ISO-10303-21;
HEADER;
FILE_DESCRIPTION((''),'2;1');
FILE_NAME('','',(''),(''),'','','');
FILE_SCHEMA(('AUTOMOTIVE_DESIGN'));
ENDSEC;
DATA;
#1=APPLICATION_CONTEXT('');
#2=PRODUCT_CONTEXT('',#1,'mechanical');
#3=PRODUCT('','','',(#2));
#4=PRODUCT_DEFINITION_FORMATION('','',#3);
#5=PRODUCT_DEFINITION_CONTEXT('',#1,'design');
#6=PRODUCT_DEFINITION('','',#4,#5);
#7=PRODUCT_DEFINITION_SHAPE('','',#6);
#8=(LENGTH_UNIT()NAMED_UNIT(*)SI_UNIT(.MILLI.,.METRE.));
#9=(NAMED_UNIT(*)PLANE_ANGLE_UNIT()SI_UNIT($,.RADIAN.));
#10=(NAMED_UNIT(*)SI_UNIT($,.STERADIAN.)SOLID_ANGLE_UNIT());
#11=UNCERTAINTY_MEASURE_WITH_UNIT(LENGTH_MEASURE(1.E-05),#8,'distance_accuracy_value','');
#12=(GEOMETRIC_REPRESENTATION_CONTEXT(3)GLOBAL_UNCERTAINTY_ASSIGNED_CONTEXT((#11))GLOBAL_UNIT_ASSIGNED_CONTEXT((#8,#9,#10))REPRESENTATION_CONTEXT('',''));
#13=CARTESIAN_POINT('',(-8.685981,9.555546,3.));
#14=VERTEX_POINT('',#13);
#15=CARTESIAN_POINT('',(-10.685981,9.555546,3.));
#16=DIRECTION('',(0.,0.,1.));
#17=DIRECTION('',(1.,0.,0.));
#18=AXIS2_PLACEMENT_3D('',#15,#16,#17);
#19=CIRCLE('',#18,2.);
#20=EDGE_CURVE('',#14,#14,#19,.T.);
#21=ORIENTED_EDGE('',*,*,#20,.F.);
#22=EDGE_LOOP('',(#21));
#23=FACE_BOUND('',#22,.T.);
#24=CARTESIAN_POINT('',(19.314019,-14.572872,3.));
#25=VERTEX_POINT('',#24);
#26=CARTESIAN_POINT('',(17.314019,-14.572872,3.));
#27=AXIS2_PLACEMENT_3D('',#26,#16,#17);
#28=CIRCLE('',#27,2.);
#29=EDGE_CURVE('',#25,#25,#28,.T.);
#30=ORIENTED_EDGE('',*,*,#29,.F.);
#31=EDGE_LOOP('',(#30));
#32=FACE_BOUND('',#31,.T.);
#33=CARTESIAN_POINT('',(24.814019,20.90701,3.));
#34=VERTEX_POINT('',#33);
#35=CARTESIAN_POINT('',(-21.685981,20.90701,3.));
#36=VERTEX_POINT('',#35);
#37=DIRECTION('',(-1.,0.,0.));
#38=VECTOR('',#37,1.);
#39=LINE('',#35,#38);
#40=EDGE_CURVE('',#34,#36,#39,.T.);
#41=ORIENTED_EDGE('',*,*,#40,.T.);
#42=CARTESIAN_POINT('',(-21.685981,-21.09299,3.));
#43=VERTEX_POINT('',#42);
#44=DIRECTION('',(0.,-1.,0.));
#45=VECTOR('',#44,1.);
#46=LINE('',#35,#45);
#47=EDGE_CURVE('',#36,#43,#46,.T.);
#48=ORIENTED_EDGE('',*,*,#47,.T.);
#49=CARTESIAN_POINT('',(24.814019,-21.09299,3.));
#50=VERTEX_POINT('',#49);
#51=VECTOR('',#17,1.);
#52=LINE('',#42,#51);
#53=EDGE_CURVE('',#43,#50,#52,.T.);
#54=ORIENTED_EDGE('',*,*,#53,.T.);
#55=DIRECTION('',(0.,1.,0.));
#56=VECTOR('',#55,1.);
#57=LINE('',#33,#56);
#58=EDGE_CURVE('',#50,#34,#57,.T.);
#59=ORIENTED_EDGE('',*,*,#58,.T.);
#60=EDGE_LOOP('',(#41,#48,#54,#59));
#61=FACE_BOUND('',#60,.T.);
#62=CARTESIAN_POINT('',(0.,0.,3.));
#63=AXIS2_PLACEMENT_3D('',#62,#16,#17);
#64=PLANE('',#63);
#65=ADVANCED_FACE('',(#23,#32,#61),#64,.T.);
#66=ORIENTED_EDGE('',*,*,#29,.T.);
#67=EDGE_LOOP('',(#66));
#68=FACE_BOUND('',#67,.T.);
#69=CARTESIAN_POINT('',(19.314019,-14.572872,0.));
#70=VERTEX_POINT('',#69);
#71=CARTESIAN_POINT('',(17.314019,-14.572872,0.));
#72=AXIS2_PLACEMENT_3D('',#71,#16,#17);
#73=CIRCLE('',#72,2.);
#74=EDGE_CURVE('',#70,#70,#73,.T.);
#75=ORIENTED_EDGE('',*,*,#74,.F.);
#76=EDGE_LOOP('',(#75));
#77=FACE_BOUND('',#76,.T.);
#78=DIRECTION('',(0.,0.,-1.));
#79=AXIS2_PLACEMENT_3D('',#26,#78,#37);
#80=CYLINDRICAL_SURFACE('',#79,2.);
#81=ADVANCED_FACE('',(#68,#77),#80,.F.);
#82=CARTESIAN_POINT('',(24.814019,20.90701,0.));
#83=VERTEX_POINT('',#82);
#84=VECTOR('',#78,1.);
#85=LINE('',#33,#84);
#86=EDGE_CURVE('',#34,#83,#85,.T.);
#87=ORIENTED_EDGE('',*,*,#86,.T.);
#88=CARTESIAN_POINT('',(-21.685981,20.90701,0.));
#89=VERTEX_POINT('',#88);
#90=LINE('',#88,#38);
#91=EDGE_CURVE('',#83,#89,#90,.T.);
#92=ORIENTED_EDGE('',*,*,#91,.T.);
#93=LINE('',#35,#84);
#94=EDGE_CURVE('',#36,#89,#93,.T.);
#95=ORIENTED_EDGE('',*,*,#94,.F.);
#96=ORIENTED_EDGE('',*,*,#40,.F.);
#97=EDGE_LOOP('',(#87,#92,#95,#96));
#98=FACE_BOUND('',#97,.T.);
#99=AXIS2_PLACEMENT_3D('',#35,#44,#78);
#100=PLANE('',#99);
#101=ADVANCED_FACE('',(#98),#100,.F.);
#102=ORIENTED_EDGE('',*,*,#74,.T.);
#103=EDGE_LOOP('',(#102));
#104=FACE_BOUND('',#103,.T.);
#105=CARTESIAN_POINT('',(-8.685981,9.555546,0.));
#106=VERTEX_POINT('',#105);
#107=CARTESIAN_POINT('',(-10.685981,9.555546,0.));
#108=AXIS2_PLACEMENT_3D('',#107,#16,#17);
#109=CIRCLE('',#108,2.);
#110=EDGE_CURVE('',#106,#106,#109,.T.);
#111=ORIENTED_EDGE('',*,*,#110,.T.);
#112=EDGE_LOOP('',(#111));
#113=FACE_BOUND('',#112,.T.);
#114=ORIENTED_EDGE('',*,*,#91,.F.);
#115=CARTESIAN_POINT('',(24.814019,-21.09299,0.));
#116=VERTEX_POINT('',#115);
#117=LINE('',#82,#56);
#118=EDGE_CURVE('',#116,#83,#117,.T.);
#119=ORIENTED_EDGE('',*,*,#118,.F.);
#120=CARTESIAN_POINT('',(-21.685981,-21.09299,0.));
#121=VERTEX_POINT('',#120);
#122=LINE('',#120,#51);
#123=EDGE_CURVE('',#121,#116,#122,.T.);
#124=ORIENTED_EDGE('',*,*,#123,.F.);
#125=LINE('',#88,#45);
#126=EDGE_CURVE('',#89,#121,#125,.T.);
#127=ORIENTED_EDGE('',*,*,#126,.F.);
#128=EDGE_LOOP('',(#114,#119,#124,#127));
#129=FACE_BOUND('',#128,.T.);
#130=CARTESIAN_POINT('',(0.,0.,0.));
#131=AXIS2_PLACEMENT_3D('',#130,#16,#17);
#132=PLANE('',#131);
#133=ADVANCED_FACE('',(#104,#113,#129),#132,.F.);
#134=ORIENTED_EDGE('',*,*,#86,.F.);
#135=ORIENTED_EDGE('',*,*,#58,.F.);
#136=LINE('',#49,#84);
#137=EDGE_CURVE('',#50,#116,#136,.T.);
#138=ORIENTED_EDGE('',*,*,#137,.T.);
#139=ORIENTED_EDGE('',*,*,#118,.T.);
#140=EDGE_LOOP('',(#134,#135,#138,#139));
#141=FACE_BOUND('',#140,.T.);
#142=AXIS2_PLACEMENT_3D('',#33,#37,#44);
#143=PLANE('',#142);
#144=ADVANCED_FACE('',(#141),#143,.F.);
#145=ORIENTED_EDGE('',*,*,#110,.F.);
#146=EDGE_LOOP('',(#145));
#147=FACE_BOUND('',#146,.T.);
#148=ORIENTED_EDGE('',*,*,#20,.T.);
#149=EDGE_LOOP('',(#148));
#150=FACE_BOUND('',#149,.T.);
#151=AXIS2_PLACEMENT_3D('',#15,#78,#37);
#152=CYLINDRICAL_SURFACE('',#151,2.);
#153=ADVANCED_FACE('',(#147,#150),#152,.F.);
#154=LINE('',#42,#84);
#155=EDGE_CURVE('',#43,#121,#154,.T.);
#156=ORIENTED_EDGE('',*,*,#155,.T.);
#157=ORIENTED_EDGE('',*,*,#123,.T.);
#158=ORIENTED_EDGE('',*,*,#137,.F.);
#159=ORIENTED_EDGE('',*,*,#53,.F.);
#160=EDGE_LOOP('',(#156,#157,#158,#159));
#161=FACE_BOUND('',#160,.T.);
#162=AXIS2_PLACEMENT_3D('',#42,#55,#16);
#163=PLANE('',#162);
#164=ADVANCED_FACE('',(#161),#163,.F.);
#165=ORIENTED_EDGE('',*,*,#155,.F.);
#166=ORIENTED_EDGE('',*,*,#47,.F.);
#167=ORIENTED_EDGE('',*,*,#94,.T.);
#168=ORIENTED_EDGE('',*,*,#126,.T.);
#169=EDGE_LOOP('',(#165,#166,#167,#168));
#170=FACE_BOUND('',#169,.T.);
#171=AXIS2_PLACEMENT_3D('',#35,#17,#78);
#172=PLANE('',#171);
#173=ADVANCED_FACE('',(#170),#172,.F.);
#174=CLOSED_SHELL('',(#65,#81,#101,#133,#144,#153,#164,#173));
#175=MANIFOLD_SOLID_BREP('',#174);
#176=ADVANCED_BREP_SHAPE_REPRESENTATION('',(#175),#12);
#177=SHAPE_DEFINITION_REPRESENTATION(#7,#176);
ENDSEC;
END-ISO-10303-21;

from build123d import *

# Parameters (mm, degrees)
SKETCH1_W           = 46.5
SKETCH1_H           = 42
SKETCH1_R           = 2
BOSS_EXTRUDE1_DEPTH = 3


with BuildPart() as part:
    # Sketch1 → Boss-Extrude1 (new body)
    with BuildSketch(Plane.XY):
        with Locations((1.564019128, -0.092990436)):
            Rectangle(SKETCH1_W, SKETCH1_H)
        with Locations((-10.685980872, 9.555546131)):
            Circle(SKETCH1_R, mode=Mode.SUBTRACT)
        with Locations((17.314019128, -14.572872451)):
            Circle(SKETCH1_R, mode=Mode.SUBTRACT)
    extrude(amount=BOSS_EXTRUDE1_DEPTH)


solid = part.part
